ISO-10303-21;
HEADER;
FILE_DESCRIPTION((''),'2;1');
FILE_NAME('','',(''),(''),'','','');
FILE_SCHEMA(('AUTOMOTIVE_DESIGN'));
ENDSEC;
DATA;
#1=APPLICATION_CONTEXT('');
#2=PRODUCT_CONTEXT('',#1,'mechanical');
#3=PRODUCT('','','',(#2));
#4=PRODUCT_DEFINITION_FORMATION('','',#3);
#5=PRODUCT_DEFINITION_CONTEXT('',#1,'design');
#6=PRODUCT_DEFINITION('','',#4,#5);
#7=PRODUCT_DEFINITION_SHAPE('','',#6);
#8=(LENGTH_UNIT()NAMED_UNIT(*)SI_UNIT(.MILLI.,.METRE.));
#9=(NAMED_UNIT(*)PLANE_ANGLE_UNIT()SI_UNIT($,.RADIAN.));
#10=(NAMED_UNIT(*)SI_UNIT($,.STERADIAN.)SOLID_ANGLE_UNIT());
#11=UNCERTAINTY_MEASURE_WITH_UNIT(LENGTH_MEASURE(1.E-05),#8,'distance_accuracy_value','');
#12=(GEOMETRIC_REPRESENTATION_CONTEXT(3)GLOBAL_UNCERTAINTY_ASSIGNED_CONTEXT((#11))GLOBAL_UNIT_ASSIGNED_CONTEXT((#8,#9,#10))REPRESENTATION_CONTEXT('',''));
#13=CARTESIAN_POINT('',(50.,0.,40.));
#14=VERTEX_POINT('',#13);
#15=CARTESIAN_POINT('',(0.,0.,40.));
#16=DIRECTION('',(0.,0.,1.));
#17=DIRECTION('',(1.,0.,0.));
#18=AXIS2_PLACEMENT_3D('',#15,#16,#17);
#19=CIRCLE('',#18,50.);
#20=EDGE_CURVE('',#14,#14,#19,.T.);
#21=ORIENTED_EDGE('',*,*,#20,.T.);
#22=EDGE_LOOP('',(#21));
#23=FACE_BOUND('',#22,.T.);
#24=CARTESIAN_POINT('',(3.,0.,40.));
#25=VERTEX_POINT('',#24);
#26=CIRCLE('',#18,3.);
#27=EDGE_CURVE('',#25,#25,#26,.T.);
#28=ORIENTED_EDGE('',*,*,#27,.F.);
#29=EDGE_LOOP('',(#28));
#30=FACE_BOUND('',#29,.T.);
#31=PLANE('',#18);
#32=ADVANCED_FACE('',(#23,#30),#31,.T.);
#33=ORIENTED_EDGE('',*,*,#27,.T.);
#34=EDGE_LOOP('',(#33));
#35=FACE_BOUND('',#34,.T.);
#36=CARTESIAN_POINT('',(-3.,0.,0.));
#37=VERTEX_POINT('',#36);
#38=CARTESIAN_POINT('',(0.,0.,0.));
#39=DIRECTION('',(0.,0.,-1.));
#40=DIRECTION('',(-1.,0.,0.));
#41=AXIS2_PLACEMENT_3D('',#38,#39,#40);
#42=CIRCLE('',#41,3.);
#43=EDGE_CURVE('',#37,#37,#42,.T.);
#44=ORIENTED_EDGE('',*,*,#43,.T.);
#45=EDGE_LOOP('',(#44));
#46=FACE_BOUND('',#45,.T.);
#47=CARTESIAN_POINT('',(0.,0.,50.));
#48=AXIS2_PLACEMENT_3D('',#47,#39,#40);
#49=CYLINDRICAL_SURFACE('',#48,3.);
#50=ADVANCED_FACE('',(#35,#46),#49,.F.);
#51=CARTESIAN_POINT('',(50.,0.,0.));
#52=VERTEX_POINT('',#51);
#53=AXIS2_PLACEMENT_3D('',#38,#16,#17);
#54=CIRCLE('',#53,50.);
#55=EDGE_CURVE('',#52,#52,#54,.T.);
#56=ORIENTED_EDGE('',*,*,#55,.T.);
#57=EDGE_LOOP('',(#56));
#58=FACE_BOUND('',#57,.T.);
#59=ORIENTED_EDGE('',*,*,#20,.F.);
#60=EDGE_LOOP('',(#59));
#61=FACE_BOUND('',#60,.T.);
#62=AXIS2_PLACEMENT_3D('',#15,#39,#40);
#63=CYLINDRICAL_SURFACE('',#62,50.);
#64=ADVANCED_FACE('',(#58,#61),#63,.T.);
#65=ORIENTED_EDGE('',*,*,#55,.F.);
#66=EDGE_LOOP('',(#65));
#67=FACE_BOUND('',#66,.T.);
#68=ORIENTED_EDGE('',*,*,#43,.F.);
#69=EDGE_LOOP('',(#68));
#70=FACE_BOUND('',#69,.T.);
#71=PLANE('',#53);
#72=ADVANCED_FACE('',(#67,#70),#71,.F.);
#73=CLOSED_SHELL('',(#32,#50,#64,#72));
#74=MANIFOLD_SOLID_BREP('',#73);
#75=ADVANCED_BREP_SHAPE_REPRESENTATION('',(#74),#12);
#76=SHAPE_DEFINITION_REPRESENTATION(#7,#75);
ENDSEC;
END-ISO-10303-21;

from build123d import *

# Parameters (mm, degrees)
SKETCH1_R           = 50
BOSS_EXTRUDE1_DEPTH = 40
SKETCH2_R           = 3
CUT_EXTRUDE2_DEPTH  = 50


with BuildPart() as part:
    # Sketch1 → Boss-Extrude1 (new body)
    with BuildSketch(Plane.XY):
        Circle(SKETCH1_R)
    extrude(amount=BOSS_EXTRUDE1_DEPTH)

    # Sketch2 → Cut-Extrude2 (cut)
    with BuildSketch(Plane(origin=(0, 0, 0), x_dir=(-1, 0, 0), z_dir=(0, 0, -1))):
        Circle(SKETCH2_R)
    extrude(amount=-CUT_EXTRUDE2_DEPTH, mode=Mode.SUBTRACT)


solid = part.part
